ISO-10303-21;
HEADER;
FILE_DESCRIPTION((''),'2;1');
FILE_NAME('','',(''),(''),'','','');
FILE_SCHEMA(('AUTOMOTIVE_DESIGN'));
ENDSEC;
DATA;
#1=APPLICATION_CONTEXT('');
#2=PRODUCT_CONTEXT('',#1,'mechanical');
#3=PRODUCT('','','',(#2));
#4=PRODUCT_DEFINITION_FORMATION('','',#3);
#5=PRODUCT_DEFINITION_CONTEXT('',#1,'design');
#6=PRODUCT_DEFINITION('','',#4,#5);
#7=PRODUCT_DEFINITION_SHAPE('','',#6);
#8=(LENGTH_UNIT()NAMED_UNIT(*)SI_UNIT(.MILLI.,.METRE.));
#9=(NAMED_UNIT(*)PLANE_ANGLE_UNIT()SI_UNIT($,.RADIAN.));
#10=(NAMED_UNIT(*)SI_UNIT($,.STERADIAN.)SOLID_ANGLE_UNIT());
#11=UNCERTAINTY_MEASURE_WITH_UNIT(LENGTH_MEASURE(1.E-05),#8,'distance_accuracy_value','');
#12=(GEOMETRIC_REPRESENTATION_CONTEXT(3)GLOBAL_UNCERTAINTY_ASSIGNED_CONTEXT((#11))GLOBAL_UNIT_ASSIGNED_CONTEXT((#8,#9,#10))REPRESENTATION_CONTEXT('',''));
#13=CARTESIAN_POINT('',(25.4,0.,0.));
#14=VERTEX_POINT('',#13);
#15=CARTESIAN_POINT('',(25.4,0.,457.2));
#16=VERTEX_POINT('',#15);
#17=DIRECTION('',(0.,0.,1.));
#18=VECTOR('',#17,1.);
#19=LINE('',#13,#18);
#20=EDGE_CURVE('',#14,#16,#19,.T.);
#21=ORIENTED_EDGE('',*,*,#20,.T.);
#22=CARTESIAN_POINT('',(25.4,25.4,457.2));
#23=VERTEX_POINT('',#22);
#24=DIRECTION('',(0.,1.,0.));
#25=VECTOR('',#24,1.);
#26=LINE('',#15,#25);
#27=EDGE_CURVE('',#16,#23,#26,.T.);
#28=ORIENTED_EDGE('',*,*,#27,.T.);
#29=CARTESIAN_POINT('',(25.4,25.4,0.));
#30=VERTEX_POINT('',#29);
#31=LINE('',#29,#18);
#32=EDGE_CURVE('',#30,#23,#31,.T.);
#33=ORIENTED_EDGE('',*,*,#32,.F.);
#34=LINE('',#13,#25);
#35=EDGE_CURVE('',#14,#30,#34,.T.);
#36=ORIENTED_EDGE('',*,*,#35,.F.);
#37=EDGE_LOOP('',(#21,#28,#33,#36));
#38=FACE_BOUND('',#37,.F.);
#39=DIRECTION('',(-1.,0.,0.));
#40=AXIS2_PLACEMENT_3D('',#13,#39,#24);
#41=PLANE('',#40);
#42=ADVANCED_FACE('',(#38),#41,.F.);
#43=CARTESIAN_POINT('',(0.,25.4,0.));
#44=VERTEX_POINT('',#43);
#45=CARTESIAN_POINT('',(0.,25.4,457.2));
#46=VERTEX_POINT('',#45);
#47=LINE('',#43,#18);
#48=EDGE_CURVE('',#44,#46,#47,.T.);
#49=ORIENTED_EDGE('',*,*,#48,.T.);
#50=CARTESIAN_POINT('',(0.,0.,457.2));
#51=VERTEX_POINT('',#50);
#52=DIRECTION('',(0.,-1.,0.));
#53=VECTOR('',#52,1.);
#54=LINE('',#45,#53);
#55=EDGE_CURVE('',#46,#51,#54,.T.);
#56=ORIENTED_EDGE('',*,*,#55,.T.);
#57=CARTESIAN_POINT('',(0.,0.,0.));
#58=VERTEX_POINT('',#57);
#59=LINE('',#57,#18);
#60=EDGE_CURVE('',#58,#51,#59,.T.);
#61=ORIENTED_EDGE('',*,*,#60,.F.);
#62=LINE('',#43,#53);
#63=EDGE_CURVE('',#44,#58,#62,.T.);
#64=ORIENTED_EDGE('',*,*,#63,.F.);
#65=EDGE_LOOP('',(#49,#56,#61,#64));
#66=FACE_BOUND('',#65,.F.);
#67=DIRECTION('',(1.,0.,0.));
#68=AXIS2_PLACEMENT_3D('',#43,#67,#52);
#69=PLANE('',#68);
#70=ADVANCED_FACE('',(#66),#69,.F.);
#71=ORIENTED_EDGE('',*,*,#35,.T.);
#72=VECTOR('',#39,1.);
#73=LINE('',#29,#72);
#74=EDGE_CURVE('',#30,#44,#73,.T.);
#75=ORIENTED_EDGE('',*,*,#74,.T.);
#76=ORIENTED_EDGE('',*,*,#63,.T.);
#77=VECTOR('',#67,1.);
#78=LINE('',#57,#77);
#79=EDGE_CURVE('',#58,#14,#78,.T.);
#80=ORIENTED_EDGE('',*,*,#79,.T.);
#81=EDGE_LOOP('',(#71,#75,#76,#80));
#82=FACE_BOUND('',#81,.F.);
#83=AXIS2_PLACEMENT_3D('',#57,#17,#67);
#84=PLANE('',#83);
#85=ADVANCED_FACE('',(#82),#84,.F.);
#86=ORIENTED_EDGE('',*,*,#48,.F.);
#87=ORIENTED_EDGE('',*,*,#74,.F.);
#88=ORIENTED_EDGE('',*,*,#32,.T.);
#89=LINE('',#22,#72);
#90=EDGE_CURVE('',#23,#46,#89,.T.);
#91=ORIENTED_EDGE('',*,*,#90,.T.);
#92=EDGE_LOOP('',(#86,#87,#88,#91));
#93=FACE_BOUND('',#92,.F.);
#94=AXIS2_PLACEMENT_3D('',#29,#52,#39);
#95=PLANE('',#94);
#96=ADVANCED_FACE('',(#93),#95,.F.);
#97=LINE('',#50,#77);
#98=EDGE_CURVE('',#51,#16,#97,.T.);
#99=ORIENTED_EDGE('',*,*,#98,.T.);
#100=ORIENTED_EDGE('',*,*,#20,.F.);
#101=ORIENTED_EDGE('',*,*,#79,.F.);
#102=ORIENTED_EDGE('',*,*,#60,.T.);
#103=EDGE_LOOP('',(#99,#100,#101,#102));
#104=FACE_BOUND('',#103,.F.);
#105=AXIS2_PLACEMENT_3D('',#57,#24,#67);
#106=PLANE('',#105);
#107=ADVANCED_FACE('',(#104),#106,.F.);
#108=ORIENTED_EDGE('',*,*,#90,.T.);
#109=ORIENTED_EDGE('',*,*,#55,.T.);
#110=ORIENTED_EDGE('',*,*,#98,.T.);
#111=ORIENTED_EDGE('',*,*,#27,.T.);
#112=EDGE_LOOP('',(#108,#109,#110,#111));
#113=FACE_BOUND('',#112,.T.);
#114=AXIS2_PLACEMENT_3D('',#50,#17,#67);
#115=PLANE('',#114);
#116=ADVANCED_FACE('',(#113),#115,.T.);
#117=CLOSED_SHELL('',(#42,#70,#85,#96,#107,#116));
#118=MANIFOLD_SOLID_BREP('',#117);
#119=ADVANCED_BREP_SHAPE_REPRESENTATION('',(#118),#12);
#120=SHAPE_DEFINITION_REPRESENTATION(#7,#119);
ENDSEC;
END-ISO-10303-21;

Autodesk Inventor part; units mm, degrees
ref_plane "YZ Plane" through (0, 0, 0) normal (1, 0, 0) x (0, 1, 0)
ref_plane "XZ Plane" through (0, 0, 0) normal (0, 1, 0) x (-1, 0, 0)
ref_plane "XY Plane" through (0, 0, 0) normal (0, 0, 1) x (1, 0, 0)
sketch "Sketch1" plane through (0, 0, 0) normal (0, 0, 1) x (1, 0, 0)
  line L0 (0, 0) -> (25.4, 0)
  line L1 (25.4, 0) -> (25.4, 25.4)
  line L2 (25.4, 25.4) -> (0, 25.4)
  line L3 (0, 25.4) -> (0, 0)
  dimension "d0" = 25.4
  dimension "d1" = 25.4
extrude "Extrusion1" add sketch "Sketch1" along normal blind 457.2
properties part number "ArmBar"
